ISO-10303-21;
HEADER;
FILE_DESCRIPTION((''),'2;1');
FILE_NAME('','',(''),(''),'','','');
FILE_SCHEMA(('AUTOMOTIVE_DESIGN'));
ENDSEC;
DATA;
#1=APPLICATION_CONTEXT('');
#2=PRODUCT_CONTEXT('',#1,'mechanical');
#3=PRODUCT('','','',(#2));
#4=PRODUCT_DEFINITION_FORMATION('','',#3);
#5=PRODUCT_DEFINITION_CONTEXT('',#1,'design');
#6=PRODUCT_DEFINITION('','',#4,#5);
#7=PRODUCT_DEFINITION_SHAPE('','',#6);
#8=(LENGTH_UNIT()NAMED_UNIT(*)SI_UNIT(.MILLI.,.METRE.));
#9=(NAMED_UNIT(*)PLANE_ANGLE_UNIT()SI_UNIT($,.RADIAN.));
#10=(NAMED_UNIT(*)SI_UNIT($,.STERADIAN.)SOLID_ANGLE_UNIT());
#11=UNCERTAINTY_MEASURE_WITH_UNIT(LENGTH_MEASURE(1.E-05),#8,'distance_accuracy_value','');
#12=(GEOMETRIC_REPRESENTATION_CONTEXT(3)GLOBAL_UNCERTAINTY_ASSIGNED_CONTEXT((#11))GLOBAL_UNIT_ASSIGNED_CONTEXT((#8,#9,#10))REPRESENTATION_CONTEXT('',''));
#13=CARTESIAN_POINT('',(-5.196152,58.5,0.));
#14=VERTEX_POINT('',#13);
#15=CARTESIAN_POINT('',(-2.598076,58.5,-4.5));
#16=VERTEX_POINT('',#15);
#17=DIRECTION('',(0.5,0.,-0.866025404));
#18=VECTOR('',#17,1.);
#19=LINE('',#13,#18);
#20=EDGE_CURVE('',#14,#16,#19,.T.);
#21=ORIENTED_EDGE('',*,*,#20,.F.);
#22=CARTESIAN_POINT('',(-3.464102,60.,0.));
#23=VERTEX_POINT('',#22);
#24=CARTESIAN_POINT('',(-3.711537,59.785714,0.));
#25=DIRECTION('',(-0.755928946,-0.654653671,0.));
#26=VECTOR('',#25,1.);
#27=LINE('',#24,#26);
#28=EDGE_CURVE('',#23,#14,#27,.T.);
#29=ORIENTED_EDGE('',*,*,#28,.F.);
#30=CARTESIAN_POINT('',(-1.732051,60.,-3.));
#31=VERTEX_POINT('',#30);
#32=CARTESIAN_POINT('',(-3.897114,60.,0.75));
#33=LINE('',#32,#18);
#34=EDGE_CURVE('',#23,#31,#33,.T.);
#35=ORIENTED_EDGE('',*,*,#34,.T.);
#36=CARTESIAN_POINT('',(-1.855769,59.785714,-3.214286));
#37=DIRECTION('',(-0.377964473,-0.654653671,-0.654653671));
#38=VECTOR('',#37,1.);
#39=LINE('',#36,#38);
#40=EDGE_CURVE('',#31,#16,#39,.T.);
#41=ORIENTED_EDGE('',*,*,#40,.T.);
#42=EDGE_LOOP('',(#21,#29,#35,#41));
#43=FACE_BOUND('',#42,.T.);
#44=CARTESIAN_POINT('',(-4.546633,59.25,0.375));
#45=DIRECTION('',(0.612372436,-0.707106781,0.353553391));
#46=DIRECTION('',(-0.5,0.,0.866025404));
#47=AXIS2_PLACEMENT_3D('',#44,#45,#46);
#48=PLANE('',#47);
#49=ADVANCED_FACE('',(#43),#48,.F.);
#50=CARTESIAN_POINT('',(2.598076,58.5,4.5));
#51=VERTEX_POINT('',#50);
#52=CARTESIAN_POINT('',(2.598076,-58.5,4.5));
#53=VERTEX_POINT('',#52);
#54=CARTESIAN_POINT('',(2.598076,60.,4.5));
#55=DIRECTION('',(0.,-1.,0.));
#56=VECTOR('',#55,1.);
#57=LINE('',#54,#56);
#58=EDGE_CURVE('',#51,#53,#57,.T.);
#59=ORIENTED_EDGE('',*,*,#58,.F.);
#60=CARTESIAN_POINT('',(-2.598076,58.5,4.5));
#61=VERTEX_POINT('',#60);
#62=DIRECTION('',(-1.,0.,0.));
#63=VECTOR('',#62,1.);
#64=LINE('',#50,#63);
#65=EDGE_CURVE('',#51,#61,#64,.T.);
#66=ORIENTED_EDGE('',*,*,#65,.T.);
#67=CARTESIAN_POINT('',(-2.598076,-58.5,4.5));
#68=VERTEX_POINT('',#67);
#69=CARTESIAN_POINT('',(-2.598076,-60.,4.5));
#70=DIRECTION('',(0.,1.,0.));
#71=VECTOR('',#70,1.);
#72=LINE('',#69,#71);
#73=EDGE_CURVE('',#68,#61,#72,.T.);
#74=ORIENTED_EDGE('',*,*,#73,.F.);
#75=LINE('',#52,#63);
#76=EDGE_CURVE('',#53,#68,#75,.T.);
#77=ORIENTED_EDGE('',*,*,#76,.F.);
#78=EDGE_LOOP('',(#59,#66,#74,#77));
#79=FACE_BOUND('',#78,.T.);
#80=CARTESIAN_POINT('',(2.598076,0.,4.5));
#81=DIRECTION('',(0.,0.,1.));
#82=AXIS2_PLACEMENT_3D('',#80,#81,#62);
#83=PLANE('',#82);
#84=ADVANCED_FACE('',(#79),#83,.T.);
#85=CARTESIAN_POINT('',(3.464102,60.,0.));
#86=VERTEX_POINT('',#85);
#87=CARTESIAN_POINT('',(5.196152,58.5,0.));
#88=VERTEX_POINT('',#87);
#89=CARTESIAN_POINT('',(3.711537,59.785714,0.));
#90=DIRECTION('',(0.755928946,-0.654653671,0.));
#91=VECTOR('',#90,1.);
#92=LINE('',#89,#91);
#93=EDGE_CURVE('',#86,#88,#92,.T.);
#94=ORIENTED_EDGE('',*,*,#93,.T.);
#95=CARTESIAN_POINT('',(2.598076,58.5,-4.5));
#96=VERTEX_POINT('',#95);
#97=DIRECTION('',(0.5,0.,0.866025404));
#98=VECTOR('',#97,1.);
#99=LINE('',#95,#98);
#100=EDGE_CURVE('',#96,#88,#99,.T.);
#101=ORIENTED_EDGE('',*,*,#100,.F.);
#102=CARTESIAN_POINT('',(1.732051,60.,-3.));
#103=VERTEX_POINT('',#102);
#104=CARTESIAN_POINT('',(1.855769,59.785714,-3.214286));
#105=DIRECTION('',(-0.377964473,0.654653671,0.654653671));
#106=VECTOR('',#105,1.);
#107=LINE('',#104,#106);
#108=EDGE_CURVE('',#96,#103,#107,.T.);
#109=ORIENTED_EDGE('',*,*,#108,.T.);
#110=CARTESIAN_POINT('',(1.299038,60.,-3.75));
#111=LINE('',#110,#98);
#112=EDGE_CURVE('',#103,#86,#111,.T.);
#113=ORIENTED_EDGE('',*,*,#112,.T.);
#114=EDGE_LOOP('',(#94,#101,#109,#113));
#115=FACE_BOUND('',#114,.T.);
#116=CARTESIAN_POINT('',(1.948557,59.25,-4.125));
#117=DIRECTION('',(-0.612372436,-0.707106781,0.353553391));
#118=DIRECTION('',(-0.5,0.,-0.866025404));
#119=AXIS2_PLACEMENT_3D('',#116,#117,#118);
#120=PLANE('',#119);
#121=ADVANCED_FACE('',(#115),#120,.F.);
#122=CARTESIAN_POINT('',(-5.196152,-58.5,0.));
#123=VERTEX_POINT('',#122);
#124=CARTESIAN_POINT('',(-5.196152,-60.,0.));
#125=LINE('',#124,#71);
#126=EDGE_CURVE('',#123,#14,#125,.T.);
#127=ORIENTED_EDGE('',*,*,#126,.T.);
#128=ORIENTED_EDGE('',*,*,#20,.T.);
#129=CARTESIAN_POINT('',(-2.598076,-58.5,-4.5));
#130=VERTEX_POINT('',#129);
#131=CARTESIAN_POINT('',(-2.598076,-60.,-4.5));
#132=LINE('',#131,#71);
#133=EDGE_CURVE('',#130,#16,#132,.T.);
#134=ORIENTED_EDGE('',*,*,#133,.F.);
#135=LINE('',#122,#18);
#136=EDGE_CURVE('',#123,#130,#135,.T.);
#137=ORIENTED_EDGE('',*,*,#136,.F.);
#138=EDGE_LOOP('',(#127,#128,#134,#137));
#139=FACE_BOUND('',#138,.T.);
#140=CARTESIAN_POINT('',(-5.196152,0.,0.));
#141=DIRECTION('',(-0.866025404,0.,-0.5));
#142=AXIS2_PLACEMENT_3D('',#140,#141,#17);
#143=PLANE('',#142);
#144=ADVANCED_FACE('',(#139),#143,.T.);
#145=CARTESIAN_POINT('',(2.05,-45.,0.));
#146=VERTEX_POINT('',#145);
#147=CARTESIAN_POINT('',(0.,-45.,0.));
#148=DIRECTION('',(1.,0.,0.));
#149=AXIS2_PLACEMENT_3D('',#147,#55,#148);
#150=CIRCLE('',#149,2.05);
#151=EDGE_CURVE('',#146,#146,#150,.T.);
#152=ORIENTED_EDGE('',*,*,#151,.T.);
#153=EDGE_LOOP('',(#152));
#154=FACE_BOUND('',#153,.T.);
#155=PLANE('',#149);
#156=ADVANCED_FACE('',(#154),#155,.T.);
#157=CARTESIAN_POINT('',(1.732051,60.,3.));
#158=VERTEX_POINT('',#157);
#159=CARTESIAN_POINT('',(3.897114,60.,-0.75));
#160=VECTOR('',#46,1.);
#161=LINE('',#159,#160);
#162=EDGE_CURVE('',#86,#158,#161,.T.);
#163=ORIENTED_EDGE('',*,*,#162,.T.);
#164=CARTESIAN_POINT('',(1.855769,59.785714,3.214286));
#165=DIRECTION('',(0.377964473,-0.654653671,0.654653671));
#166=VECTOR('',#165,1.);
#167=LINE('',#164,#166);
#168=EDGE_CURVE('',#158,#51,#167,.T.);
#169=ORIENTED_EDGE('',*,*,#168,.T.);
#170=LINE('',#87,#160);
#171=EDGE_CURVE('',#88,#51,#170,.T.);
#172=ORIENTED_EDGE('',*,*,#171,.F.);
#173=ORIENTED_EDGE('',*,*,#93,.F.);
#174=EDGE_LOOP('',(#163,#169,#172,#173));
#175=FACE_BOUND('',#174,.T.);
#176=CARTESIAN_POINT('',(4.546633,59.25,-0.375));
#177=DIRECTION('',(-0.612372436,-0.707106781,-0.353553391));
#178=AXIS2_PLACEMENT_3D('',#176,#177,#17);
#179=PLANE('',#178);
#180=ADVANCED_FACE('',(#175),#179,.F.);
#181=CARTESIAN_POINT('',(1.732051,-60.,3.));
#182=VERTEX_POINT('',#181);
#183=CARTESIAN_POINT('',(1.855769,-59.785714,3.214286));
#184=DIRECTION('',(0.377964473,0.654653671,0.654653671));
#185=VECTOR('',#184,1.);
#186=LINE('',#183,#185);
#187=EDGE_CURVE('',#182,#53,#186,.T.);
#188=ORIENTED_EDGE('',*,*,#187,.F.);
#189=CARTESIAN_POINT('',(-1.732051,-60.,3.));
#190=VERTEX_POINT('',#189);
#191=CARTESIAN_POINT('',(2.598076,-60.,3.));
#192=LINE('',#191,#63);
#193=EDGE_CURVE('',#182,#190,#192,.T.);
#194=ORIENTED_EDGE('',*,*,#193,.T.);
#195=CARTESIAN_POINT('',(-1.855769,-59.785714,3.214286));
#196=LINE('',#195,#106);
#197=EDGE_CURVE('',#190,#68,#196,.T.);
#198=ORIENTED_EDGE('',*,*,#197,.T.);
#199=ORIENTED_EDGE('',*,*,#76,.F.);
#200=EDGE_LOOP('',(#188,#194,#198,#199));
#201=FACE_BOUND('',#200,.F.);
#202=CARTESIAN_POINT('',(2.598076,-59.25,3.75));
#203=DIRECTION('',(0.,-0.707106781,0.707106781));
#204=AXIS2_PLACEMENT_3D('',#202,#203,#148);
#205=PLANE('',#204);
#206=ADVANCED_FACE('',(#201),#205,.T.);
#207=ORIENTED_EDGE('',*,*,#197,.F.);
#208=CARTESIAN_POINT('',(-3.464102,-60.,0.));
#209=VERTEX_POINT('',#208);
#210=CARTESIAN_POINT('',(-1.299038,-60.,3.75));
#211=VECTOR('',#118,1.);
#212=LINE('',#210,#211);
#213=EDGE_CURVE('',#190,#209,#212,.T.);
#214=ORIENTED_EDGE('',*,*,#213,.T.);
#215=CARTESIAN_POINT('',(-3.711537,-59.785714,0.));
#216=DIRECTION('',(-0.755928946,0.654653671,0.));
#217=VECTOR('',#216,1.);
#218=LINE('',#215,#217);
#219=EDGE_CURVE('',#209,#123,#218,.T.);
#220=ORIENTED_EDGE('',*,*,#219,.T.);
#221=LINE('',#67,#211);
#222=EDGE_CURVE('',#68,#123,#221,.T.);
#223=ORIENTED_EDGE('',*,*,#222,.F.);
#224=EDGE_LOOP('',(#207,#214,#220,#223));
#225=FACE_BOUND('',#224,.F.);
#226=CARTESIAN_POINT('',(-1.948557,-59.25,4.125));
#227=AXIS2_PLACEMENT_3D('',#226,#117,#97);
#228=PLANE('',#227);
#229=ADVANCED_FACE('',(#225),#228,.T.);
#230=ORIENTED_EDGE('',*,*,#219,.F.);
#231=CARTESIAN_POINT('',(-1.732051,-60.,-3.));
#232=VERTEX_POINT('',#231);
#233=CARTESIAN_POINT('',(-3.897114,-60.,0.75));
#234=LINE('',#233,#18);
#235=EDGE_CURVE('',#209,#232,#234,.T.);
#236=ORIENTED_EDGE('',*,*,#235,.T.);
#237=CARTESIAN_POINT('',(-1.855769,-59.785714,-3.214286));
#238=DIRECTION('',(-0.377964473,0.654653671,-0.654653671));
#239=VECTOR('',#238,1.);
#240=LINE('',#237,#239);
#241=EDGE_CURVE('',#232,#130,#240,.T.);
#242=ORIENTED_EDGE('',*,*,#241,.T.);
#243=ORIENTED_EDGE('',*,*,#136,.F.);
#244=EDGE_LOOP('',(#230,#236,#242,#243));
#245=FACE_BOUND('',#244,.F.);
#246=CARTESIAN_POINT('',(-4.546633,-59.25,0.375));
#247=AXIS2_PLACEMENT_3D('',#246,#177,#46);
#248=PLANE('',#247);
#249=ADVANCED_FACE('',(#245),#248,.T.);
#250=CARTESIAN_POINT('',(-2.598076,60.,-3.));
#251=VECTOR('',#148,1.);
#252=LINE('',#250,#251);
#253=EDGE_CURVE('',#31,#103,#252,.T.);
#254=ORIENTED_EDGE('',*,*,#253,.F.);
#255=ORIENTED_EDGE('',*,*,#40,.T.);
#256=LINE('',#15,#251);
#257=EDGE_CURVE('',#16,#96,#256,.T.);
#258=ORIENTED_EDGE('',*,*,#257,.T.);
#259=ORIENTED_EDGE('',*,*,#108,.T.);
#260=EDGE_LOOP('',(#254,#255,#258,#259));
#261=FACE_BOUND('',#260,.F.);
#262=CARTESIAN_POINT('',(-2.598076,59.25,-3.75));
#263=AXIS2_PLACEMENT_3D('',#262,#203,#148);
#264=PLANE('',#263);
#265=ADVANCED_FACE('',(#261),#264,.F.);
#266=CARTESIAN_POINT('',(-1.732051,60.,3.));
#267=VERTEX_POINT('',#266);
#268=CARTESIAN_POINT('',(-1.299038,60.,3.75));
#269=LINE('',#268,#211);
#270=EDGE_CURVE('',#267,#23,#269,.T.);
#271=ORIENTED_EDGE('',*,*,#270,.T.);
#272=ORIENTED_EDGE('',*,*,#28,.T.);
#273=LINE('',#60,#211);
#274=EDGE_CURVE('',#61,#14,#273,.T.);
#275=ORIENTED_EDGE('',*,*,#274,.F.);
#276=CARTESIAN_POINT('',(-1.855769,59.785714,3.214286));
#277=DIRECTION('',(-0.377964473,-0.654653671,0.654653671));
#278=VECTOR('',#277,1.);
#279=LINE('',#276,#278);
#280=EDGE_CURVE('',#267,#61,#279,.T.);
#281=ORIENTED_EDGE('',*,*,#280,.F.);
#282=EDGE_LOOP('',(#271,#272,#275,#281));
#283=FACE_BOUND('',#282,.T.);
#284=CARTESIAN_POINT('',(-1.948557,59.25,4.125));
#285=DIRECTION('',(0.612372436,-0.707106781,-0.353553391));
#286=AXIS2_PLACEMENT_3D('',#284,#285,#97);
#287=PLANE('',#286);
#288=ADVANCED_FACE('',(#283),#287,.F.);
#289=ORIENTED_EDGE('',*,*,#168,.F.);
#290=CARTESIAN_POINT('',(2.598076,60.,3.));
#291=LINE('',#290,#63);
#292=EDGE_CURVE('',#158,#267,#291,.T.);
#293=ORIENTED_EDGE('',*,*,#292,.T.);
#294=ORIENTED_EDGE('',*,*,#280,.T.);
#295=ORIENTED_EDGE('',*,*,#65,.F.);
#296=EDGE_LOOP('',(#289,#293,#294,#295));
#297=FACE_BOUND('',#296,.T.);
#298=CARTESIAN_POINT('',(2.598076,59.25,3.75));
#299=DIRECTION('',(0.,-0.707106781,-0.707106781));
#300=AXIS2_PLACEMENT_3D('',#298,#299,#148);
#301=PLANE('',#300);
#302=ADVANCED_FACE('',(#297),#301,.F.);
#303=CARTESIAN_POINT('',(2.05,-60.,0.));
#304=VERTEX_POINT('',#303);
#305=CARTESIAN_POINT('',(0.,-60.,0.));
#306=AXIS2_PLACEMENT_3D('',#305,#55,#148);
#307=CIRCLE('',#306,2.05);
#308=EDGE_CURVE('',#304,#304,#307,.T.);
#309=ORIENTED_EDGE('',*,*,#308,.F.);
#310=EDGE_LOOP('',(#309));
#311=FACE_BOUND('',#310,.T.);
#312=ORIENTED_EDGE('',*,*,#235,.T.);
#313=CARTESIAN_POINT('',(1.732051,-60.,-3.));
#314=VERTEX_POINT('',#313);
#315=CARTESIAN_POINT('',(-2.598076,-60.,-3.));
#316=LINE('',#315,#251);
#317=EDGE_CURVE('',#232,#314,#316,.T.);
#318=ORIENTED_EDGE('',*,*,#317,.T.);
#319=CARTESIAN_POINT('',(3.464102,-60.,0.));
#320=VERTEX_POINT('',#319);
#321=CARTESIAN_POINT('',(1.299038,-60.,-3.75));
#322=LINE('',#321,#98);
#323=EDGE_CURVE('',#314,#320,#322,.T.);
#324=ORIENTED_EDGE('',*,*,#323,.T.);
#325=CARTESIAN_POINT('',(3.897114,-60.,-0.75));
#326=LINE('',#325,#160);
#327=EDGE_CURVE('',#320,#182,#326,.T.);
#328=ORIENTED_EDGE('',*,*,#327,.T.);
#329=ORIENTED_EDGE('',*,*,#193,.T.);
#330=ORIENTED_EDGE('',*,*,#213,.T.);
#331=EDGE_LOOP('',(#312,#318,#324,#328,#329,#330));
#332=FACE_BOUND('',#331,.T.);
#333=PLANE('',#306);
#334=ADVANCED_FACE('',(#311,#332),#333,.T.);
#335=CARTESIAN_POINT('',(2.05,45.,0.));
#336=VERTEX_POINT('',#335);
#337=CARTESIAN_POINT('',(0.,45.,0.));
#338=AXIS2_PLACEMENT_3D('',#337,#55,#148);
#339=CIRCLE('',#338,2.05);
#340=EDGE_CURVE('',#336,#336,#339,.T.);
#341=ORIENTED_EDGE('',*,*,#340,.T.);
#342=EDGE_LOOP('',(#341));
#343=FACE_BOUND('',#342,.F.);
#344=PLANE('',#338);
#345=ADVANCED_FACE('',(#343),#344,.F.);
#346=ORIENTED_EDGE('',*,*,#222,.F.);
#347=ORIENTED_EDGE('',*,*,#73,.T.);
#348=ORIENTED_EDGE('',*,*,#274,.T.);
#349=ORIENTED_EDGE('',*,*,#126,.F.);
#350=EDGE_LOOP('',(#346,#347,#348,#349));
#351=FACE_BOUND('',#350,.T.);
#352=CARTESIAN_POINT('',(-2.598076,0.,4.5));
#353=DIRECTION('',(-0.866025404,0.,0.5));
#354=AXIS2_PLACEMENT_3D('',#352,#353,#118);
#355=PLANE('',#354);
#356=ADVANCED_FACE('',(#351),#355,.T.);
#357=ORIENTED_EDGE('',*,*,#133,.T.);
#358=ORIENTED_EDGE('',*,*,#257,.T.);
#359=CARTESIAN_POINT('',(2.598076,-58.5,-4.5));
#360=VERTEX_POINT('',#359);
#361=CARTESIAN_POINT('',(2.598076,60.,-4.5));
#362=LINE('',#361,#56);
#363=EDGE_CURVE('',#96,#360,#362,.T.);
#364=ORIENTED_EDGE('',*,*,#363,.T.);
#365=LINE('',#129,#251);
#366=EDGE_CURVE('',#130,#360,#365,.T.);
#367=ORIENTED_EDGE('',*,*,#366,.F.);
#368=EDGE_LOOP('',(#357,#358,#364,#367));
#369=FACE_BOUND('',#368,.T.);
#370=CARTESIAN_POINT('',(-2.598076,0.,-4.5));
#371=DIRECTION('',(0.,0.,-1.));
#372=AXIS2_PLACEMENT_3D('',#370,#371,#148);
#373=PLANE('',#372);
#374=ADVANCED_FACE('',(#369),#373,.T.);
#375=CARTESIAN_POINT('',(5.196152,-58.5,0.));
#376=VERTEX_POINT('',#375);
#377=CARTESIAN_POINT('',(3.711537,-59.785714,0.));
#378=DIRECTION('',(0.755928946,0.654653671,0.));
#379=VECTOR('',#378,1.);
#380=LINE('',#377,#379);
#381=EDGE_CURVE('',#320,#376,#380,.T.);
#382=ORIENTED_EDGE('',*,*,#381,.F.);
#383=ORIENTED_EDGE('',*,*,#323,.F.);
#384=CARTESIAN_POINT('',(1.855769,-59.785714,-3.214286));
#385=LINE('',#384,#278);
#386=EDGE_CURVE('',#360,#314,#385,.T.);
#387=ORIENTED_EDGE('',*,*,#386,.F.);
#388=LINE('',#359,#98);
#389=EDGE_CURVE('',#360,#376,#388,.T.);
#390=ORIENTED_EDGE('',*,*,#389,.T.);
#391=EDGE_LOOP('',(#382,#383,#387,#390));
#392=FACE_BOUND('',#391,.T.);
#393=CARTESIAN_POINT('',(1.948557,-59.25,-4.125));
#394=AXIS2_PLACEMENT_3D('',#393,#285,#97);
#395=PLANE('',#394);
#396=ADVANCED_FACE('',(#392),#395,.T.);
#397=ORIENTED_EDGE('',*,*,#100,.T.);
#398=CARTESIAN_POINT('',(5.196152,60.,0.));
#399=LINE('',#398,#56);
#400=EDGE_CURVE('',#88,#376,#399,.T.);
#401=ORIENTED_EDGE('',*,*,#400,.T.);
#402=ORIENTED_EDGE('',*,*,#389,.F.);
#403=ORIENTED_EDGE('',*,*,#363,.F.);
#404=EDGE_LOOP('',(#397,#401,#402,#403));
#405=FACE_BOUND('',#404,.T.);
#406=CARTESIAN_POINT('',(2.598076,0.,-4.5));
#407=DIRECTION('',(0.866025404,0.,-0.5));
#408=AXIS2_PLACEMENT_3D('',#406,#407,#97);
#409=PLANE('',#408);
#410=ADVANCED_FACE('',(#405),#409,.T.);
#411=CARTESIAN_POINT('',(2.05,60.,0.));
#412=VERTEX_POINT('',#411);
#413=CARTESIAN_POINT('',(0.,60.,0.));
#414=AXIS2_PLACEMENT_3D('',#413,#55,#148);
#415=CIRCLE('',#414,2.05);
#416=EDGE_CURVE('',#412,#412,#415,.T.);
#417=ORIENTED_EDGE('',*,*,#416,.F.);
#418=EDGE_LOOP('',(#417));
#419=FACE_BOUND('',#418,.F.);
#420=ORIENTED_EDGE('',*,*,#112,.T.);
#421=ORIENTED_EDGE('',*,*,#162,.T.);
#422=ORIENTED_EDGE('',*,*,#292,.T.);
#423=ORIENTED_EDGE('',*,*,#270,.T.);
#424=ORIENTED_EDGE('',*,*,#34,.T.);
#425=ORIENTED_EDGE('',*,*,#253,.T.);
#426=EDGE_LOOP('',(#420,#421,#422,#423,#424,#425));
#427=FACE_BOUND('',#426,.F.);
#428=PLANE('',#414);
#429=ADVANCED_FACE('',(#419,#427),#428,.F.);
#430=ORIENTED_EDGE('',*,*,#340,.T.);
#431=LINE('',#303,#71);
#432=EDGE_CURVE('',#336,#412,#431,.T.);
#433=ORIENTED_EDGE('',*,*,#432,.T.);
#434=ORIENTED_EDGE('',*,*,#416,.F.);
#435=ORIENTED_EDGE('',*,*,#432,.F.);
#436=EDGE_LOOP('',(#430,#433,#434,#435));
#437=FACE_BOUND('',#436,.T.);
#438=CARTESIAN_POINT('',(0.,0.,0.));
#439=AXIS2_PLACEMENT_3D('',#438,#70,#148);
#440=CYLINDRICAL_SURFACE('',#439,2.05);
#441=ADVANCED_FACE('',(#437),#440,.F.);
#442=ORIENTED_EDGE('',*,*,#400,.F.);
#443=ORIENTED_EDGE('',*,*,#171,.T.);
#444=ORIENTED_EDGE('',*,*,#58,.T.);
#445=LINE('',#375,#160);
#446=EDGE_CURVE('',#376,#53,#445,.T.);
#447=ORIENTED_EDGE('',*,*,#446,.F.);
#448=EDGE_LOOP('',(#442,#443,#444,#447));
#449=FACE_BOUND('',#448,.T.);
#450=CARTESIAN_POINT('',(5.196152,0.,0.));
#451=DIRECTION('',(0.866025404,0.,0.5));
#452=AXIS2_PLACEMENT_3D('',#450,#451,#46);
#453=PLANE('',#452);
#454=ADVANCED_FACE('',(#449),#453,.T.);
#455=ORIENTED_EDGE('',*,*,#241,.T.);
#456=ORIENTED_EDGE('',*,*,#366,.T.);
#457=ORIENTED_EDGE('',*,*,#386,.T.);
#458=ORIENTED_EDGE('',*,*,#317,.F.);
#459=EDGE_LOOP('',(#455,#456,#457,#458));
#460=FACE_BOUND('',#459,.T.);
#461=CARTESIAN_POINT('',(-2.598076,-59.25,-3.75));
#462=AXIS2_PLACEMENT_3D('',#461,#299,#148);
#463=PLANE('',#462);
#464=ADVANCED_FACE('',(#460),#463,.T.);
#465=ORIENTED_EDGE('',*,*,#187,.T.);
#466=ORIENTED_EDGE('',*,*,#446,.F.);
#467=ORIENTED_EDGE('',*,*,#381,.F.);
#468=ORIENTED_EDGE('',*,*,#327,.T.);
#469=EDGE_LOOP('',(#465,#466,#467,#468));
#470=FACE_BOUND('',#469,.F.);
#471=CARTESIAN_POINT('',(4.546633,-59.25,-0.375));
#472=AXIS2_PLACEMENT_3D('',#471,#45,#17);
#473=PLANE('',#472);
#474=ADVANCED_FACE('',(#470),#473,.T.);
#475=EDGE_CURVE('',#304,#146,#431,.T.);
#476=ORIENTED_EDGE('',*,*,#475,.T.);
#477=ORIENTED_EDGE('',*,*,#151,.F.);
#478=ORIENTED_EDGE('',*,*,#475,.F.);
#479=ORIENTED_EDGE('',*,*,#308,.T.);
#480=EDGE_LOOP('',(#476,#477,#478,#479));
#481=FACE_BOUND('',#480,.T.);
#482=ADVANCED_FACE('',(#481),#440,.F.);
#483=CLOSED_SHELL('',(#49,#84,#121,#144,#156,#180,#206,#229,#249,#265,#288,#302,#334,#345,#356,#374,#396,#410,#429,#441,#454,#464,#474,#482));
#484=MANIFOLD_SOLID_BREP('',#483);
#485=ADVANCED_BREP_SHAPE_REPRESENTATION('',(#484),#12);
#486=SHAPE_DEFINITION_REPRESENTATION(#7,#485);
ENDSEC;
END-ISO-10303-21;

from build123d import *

# Parameters (mm, degrees)
F1_R     = 2.05
F2_DEPTH = 60
F3_DEPTH = 45
F4_SIZE  = 1.5


with BuildPart() as f2:
    # F1 (on Front) → F2 (new body, symmetric)
    with BuildSketch(Plane.XZ):
        Polygon((-2.5980762114, -4.5), (2.5980762114, -4.5), (5.1961524227, 0), (2.5980762114, 4.5), (-2.5980762114, 4.5), (-5.1961524227, 0), align=None)
        Circle(F1_R, mode=Mode.SUBTRACT)
    extrude(amount=F2_DEPTH, both=True)

    # F1 (on Front) → F3 (join, symmetric)
    with BuildSketch(Plane.XZ):
        Circle(F1_R)
    extrude(amount=F3_DEPTH, both=True)

    # F4
    f4_edges = [f2.edges().sort_by_distance(p)[0] for p in [
        (3.897114, -60, 2.25),
        (0, -60, 4.5),
        (-3.897114, -60, 2.25),
        (-3.897114, -60, -2.25),
        (0, -60, -4.5),
        (3.897114, -60, -2.25),
        (3.897114, 60, 2.25),
        (0, 60, 4.5),
        (-3.897114, 60, 2.25),
        (-3.897114, 60, -2.25),
        (0, 60, -4.5),
        (3.897114, 60, -2.25),
    ]]
    chamfer(f4_edges, length=F4_SIZE)


solid = f2.part
